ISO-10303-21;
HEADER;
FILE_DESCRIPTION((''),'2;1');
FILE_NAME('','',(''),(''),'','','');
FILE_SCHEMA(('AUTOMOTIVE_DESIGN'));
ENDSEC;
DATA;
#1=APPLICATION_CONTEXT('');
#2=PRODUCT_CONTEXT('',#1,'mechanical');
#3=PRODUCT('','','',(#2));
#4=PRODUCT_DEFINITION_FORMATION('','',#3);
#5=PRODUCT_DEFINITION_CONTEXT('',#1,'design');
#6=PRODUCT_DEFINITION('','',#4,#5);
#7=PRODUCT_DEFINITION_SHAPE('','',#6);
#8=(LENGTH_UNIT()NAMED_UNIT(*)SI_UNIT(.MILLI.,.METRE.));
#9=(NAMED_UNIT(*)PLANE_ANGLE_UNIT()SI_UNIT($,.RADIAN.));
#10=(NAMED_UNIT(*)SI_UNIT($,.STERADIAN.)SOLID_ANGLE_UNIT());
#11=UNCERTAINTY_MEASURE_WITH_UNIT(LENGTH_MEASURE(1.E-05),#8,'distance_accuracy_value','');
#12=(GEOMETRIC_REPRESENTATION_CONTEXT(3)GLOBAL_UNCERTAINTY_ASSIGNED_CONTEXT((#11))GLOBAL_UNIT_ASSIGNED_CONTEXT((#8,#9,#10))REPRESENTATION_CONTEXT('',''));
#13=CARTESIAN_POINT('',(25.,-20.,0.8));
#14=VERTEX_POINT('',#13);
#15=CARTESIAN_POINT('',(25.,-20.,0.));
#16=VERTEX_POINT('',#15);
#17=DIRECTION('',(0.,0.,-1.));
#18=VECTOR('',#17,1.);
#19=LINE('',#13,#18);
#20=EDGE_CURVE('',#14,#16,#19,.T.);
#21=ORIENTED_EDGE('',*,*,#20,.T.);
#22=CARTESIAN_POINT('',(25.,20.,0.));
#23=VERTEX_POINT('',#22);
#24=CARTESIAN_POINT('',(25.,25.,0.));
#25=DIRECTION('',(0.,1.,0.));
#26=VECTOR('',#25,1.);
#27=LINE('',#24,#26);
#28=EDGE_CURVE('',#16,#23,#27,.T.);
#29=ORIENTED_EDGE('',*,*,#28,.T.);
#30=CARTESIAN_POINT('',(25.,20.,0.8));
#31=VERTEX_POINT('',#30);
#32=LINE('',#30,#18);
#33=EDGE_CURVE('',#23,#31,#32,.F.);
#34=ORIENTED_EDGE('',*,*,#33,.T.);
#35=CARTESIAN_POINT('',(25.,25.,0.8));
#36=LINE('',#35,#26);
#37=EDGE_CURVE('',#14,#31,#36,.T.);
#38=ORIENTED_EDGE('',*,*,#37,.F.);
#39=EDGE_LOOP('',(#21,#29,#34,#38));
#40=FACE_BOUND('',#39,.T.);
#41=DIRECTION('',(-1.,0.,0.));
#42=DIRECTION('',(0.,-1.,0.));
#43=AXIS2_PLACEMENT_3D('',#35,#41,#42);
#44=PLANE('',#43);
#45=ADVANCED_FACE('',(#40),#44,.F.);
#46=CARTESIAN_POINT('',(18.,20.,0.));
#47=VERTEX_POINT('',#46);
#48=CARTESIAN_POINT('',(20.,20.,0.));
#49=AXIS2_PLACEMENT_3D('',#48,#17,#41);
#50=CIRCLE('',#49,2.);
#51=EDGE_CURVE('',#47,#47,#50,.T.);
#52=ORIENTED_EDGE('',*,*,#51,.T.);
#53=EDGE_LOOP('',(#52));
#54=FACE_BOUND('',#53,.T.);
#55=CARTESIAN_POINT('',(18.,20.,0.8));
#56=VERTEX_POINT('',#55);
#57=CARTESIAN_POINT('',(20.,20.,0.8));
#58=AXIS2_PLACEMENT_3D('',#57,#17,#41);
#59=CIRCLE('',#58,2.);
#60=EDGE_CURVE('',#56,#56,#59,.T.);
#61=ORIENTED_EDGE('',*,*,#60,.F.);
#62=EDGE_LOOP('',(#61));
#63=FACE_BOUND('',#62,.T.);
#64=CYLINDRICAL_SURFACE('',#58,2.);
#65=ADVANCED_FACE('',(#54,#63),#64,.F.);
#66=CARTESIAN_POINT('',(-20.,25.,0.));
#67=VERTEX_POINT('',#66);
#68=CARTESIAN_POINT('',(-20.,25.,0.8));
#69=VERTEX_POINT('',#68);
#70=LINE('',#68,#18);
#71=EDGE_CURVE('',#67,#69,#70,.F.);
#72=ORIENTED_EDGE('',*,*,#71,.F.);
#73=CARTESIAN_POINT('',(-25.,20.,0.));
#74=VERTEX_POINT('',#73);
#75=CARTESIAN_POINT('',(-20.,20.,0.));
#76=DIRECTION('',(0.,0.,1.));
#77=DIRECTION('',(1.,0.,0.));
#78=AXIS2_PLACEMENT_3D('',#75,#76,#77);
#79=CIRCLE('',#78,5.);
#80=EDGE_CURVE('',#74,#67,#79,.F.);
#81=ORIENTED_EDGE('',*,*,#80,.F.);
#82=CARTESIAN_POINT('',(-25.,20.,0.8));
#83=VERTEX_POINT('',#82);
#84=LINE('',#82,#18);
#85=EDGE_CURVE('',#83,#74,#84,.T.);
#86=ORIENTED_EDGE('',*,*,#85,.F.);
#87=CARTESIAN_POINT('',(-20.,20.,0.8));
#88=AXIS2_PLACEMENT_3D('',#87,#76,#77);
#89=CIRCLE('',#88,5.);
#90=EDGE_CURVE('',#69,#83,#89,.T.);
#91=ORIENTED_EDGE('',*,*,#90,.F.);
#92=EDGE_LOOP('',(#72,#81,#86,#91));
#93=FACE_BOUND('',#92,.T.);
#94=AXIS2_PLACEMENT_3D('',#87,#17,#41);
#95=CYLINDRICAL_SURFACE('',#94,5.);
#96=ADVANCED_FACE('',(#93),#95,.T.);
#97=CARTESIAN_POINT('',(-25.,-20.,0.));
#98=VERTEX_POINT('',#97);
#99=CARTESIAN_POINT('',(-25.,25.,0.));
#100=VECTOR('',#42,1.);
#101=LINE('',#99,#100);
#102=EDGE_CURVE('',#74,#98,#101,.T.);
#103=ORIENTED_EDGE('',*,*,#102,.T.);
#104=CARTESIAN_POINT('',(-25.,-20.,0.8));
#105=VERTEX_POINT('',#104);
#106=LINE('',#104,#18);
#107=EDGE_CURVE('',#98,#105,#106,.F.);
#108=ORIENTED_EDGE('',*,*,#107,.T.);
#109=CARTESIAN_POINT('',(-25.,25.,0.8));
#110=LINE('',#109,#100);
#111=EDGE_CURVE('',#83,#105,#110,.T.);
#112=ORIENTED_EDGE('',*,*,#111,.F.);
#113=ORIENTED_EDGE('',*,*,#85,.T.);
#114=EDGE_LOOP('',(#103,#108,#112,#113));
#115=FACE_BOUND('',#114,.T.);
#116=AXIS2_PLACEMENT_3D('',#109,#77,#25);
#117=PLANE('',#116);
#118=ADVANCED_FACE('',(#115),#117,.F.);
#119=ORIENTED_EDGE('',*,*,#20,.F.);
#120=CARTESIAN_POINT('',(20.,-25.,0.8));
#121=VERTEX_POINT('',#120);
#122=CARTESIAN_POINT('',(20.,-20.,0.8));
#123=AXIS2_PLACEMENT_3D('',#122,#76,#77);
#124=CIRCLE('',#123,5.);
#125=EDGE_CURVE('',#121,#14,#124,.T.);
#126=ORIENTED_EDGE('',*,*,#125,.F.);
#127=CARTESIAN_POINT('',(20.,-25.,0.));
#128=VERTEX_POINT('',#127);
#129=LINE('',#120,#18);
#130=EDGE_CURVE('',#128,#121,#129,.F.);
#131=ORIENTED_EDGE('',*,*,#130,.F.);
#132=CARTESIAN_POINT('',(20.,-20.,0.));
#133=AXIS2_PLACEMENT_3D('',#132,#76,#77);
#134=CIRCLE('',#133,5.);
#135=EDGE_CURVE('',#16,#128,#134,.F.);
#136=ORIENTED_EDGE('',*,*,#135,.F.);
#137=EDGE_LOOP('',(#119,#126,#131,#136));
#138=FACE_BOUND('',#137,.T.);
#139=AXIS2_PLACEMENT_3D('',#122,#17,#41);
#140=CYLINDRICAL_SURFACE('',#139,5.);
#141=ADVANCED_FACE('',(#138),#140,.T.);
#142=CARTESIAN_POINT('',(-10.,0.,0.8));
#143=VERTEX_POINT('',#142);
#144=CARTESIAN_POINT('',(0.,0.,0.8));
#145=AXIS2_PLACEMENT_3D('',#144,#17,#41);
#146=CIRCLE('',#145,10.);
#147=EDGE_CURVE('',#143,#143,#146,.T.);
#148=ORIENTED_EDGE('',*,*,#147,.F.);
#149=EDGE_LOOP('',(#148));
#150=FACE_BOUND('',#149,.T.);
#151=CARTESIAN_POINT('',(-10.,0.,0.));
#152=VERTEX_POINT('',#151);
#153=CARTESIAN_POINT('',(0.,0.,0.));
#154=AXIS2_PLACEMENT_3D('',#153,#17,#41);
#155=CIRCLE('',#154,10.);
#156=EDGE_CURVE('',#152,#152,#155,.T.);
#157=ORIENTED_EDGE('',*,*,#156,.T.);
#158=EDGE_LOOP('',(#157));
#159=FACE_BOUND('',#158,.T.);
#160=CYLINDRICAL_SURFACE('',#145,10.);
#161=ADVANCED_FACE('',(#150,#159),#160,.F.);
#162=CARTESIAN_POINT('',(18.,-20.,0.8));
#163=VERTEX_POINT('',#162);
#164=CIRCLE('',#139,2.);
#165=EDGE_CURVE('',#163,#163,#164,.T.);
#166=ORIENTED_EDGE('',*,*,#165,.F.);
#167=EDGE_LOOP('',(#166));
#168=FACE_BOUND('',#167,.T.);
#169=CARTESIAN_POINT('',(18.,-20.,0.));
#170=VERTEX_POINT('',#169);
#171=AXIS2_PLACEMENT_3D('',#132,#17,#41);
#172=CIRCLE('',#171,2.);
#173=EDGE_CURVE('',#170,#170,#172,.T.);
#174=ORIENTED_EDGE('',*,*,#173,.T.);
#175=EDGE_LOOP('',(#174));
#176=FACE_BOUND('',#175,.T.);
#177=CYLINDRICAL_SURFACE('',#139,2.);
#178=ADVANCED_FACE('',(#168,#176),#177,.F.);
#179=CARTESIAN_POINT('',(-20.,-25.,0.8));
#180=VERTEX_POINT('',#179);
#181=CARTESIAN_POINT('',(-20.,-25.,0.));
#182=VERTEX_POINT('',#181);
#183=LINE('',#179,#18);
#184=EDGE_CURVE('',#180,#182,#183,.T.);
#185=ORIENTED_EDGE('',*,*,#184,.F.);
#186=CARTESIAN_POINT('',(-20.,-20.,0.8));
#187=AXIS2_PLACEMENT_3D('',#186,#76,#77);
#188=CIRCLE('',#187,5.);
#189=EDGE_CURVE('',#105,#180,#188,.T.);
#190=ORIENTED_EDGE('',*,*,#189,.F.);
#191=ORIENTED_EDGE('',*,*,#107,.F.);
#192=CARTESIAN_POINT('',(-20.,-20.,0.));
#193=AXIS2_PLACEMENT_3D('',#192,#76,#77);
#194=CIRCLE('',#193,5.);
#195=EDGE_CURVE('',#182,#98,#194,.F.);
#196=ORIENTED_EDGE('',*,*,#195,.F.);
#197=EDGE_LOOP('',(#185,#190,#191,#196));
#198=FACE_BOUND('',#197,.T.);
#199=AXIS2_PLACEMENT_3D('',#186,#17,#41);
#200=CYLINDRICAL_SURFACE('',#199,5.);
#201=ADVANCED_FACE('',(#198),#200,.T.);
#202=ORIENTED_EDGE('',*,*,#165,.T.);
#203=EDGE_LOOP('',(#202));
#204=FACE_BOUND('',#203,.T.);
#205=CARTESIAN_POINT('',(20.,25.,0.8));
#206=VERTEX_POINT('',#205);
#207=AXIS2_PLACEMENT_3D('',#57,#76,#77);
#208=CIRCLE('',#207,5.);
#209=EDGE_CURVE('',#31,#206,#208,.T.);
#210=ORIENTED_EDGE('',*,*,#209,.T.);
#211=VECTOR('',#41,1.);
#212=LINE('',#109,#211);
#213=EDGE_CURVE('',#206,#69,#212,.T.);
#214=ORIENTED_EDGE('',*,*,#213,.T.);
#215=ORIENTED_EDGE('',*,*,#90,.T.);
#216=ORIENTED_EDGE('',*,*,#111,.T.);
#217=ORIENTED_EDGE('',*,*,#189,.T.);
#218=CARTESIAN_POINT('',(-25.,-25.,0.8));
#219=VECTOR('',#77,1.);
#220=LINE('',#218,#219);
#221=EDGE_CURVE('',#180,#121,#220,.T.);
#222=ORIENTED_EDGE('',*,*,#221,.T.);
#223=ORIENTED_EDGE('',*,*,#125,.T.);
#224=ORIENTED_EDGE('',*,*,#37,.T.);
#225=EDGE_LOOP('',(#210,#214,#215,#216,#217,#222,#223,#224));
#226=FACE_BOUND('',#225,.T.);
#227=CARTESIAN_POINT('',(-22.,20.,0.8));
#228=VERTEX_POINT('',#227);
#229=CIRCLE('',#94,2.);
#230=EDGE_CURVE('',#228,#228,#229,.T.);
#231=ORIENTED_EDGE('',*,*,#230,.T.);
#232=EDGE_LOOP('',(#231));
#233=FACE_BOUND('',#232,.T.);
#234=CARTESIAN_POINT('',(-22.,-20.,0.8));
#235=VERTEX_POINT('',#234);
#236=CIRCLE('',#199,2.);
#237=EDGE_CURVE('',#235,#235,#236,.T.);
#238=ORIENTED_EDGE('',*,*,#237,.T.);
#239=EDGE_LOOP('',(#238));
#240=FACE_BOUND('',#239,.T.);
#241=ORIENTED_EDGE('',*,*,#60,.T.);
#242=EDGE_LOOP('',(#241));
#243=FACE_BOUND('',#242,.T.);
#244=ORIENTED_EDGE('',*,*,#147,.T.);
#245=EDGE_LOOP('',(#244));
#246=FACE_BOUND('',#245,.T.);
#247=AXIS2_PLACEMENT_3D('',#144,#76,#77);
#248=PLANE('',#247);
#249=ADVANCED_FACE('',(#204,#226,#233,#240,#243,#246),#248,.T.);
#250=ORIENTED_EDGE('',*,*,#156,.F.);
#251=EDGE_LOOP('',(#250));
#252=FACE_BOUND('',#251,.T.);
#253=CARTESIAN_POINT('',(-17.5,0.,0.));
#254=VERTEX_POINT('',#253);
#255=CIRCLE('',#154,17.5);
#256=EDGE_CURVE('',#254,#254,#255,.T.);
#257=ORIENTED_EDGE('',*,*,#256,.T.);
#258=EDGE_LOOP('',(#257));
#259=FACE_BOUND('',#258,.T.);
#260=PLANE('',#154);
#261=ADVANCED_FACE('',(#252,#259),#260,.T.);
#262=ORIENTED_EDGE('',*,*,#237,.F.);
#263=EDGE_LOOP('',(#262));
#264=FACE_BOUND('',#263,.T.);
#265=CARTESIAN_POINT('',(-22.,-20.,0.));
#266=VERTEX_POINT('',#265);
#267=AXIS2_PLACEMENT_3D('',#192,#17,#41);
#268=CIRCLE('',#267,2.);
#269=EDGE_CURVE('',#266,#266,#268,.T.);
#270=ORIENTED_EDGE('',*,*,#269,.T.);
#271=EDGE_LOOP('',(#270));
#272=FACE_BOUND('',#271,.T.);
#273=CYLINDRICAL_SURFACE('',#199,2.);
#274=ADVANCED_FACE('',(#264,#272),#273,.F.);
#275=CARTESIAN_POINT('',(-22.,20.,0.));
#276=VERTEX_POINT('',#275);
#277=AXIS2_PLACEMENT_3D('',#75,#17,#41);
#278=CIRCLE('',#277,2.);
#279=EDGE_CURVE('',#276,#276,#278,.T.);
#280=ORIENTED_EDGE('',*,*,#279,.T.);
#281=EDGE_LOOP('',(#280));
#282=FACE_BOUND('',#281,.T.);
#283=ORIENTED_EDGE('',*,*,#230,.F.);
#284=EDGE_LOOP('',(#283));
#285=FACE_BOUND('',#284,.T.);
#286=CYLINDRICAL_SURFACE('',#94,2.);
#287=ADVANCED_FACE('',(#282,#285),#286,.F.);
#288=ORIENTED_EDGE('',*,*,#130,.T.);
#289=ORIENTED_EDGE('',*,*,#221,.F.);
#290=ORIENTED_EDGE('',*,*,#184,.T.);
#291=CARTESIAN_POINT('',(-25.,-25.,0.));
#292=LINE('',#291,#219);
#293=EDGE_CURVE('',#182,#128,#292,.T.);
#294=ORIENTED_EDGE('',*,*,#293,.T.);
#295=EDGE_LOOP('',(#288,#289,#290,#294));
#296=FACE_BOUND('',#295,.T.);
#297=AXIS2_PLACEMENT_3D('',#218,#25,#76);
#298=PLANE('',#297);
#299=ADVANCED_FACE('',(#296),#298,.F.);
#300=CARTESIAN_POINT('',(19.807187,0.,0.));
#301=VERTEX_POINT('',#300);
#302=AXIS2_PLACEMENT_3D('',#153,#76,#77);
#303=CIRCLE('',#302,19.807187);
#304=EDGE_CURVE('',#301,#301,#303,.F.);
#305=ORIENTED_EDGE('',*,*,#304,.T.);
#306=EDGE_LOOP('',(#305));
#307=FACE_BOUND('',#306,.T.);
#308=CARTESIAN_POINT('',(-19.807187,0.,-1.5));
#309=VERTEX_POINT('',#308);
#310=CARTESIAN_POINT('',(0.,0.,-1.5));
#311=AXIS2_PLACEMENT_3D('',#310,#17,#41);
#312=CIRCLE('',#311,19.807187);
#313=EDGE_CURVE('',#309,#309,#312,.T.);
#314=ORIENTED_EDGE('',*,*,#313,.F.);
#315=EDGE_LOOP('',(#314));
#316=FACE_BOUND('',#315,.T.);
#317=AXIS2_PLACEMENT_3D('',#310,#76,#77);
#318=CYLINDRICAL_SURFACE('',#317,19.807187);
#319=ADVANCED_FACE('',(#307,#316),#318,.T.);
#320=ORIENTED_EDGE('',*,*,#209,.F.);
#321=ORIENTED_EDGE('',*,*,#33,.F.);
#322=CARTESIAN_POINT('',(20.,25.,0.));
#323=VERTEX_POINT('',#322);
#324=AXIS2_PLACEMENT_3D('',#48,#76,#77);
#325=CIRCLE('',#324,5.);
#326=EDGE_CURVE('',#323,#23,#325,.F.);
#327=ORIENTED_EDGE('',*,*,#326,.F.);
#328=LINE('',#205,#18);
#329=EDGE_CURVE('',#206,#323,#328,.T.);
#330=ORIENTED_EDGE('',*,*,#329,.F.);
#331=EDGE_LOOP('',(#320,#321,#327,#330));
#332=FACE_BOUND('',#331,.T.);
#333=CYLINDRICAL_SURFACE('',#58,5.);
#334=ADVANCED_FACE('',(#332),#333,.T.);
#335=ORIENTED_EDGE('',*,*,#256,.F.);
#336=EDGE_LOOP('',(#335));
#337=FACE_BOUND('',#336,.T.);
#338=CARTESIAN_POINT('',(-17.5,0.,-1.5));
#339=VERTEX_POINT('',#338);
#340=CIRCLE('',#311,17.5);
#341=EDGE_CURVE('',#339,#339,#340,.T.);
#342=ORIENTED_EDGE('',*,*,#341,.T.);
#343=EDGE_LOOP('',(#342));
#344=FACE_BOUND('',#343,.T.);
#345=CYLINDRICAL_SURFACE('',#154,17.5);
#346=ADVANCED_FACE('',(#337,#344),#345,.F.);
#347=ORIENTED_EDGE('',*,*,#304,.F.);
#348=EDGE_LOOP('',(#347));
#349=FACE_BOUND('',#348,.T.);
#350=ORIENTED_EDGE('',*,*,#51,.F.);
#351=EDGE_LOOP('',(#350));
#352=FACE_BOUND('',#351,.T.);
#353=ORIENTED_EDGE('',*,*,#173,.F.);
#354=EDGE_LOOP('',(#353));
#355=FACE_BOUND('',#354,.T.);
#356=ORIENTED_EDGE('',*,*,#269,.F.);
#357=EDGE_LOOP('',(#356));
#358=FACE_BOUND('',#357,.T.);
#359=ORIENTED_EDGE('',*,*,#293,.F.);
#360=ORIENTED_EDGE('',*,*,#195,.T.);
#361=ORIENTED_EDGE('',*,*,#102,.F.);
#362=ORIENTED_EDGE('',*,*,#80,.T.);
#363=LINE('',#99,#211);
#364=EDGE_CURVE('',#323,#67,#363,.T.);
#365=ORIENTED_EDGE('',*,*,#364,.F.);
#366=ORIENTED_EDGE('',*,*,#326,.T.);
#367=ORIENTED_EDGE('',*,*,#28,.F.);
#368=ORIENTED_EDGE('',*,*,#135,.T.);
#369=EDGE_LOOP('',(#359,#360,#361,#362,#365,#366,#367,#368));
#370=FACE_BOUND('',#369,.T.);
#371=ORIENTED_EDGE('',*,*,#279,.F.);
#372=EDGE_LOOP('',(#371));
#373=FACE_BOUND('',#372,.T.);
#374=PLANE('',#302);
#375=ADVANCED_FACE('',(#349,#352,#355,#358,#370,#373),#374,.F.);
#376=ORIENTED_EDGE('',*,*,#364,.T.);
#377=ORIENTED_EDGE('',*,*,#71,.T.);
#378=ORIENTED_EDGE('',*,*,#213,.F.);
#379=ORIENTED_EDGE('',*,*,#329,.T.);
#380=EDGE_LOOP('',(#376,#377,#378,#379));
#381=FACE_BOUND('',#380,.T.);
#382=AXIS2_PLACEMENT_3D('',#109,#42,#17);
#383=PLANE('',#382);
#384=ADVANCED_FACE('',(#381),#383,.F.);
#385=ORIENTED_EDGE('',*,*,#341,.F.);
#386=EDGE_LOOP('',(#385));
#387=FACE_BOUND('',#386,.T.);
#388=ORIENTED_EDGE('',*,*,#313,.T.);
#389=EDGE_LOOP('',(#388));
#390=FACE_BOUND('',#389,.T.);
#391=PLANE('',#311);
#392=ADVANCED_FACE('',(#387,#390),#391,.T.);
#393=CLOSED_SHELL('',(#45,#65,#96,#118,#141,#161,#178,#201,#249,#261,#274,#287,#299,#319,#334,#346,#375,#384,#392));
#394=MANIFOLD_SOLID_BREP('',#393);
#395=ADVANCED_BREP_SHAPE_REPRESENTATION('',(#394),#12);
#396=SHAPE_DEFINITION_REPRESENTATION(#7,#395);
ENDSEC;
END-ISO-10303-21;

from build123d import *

# Parameters (mm, degrees)
SKETCH1_W           = 50
SKETCH1_H           = 50
BOSS_EXTRUDE1_DEPTH = 0.8
FILLET1_R           = 5
SKETCH2_R           = 2
CUT_EXTRUDE1_DEPTH  = 36.364388868
SKETCH3_R           = 19.807187389
BOSS_EXTRUDE2_DEPTH = 1.5
SKETCH4_R           = 17.5
CUT_EXTRUDE2_DEPTH  = 1.5
SKETCH6_R           = 10
CUT_EXTRUDE3_DEPTH  = 36.387144558


with BuildPart() as part:
    # Sketch1 → Boss-Extrude1 (new body)
    with BuildSketch(Plane.XY):
        Rectangle(SKETCH1_W, SKETCH1_H)
    extrude(amount=BOSS_EXTRUDE1_DEPTH)

    # Fillet1
    fillet1_edges = [part.edges().sort_by_distance(p)[0] for p in [
        (25, -25, 0.4),
        (-25, -25, 0.4),
        (-25, 25, 0.4),
        (25, 25, 0.4),
    ]]
    fillet(fillet1_edges, radius=FILLET1_R)

    # Sketch2 → Cut-Extrude1 (cut, through all)
    with BuildSketch(Plane(origin=(0, 0, 0), x_dir=(-1, 0, 0), z_dir=(0, 0, -1))):
        with Locations((-20, 20)):
            Circle(SKETCH2_R)
        with Locations((20, 20)):
            Circle(SKETCH2_R)
        with Locations((20, -20)):
            Circle(SKETCH2_R)
        with Locations((-20, -20)):
            Circle(SKETCH2_R)
    extrude(amount=-CUT_EXTRUDE1_DEPTH, mode=Mode.SUBTRACT)

    # Sketch3 → Boss-Extrude2 (add)
    with BuildSketch(Plane(origin=(0, 0, 0), x_dir=(-1, 0, 0), z_dir=(0, 0, -1))):
        with Locations(Location((0, 0, 0), (0, 0, 180))):
            Circle(SKETCH3_R)
    extrude(amount=BOSS_EXTRUDE2_DEPTH)

    # Sketch4 → Cut-Extrude2 (cut)
    with BuildSketch(Plane(origin=(0, 0, -1.5), x_dir=(-1, 0, 0), z_dir=(0, 0, -1))):
        Circle(SKETCH4_R)
    extrude(amount=-CUT_EXTRUDE2_DEPTH, mode=Mode.SUBTRACT)

    # Sketch6 → Cut-Extrude3 (cut, through all)
    with BuildSketch(Plane(origin=(0, 0, 0), x_dir=(-1, 0, 0), z_dir=(0, 0, -1))):
        Circle(SKETCH6_R)
    extrude(amount=-CUT_EXTRUDE3_DEPTH, mode=Mode.SUBTRACT)


solid = part.part
